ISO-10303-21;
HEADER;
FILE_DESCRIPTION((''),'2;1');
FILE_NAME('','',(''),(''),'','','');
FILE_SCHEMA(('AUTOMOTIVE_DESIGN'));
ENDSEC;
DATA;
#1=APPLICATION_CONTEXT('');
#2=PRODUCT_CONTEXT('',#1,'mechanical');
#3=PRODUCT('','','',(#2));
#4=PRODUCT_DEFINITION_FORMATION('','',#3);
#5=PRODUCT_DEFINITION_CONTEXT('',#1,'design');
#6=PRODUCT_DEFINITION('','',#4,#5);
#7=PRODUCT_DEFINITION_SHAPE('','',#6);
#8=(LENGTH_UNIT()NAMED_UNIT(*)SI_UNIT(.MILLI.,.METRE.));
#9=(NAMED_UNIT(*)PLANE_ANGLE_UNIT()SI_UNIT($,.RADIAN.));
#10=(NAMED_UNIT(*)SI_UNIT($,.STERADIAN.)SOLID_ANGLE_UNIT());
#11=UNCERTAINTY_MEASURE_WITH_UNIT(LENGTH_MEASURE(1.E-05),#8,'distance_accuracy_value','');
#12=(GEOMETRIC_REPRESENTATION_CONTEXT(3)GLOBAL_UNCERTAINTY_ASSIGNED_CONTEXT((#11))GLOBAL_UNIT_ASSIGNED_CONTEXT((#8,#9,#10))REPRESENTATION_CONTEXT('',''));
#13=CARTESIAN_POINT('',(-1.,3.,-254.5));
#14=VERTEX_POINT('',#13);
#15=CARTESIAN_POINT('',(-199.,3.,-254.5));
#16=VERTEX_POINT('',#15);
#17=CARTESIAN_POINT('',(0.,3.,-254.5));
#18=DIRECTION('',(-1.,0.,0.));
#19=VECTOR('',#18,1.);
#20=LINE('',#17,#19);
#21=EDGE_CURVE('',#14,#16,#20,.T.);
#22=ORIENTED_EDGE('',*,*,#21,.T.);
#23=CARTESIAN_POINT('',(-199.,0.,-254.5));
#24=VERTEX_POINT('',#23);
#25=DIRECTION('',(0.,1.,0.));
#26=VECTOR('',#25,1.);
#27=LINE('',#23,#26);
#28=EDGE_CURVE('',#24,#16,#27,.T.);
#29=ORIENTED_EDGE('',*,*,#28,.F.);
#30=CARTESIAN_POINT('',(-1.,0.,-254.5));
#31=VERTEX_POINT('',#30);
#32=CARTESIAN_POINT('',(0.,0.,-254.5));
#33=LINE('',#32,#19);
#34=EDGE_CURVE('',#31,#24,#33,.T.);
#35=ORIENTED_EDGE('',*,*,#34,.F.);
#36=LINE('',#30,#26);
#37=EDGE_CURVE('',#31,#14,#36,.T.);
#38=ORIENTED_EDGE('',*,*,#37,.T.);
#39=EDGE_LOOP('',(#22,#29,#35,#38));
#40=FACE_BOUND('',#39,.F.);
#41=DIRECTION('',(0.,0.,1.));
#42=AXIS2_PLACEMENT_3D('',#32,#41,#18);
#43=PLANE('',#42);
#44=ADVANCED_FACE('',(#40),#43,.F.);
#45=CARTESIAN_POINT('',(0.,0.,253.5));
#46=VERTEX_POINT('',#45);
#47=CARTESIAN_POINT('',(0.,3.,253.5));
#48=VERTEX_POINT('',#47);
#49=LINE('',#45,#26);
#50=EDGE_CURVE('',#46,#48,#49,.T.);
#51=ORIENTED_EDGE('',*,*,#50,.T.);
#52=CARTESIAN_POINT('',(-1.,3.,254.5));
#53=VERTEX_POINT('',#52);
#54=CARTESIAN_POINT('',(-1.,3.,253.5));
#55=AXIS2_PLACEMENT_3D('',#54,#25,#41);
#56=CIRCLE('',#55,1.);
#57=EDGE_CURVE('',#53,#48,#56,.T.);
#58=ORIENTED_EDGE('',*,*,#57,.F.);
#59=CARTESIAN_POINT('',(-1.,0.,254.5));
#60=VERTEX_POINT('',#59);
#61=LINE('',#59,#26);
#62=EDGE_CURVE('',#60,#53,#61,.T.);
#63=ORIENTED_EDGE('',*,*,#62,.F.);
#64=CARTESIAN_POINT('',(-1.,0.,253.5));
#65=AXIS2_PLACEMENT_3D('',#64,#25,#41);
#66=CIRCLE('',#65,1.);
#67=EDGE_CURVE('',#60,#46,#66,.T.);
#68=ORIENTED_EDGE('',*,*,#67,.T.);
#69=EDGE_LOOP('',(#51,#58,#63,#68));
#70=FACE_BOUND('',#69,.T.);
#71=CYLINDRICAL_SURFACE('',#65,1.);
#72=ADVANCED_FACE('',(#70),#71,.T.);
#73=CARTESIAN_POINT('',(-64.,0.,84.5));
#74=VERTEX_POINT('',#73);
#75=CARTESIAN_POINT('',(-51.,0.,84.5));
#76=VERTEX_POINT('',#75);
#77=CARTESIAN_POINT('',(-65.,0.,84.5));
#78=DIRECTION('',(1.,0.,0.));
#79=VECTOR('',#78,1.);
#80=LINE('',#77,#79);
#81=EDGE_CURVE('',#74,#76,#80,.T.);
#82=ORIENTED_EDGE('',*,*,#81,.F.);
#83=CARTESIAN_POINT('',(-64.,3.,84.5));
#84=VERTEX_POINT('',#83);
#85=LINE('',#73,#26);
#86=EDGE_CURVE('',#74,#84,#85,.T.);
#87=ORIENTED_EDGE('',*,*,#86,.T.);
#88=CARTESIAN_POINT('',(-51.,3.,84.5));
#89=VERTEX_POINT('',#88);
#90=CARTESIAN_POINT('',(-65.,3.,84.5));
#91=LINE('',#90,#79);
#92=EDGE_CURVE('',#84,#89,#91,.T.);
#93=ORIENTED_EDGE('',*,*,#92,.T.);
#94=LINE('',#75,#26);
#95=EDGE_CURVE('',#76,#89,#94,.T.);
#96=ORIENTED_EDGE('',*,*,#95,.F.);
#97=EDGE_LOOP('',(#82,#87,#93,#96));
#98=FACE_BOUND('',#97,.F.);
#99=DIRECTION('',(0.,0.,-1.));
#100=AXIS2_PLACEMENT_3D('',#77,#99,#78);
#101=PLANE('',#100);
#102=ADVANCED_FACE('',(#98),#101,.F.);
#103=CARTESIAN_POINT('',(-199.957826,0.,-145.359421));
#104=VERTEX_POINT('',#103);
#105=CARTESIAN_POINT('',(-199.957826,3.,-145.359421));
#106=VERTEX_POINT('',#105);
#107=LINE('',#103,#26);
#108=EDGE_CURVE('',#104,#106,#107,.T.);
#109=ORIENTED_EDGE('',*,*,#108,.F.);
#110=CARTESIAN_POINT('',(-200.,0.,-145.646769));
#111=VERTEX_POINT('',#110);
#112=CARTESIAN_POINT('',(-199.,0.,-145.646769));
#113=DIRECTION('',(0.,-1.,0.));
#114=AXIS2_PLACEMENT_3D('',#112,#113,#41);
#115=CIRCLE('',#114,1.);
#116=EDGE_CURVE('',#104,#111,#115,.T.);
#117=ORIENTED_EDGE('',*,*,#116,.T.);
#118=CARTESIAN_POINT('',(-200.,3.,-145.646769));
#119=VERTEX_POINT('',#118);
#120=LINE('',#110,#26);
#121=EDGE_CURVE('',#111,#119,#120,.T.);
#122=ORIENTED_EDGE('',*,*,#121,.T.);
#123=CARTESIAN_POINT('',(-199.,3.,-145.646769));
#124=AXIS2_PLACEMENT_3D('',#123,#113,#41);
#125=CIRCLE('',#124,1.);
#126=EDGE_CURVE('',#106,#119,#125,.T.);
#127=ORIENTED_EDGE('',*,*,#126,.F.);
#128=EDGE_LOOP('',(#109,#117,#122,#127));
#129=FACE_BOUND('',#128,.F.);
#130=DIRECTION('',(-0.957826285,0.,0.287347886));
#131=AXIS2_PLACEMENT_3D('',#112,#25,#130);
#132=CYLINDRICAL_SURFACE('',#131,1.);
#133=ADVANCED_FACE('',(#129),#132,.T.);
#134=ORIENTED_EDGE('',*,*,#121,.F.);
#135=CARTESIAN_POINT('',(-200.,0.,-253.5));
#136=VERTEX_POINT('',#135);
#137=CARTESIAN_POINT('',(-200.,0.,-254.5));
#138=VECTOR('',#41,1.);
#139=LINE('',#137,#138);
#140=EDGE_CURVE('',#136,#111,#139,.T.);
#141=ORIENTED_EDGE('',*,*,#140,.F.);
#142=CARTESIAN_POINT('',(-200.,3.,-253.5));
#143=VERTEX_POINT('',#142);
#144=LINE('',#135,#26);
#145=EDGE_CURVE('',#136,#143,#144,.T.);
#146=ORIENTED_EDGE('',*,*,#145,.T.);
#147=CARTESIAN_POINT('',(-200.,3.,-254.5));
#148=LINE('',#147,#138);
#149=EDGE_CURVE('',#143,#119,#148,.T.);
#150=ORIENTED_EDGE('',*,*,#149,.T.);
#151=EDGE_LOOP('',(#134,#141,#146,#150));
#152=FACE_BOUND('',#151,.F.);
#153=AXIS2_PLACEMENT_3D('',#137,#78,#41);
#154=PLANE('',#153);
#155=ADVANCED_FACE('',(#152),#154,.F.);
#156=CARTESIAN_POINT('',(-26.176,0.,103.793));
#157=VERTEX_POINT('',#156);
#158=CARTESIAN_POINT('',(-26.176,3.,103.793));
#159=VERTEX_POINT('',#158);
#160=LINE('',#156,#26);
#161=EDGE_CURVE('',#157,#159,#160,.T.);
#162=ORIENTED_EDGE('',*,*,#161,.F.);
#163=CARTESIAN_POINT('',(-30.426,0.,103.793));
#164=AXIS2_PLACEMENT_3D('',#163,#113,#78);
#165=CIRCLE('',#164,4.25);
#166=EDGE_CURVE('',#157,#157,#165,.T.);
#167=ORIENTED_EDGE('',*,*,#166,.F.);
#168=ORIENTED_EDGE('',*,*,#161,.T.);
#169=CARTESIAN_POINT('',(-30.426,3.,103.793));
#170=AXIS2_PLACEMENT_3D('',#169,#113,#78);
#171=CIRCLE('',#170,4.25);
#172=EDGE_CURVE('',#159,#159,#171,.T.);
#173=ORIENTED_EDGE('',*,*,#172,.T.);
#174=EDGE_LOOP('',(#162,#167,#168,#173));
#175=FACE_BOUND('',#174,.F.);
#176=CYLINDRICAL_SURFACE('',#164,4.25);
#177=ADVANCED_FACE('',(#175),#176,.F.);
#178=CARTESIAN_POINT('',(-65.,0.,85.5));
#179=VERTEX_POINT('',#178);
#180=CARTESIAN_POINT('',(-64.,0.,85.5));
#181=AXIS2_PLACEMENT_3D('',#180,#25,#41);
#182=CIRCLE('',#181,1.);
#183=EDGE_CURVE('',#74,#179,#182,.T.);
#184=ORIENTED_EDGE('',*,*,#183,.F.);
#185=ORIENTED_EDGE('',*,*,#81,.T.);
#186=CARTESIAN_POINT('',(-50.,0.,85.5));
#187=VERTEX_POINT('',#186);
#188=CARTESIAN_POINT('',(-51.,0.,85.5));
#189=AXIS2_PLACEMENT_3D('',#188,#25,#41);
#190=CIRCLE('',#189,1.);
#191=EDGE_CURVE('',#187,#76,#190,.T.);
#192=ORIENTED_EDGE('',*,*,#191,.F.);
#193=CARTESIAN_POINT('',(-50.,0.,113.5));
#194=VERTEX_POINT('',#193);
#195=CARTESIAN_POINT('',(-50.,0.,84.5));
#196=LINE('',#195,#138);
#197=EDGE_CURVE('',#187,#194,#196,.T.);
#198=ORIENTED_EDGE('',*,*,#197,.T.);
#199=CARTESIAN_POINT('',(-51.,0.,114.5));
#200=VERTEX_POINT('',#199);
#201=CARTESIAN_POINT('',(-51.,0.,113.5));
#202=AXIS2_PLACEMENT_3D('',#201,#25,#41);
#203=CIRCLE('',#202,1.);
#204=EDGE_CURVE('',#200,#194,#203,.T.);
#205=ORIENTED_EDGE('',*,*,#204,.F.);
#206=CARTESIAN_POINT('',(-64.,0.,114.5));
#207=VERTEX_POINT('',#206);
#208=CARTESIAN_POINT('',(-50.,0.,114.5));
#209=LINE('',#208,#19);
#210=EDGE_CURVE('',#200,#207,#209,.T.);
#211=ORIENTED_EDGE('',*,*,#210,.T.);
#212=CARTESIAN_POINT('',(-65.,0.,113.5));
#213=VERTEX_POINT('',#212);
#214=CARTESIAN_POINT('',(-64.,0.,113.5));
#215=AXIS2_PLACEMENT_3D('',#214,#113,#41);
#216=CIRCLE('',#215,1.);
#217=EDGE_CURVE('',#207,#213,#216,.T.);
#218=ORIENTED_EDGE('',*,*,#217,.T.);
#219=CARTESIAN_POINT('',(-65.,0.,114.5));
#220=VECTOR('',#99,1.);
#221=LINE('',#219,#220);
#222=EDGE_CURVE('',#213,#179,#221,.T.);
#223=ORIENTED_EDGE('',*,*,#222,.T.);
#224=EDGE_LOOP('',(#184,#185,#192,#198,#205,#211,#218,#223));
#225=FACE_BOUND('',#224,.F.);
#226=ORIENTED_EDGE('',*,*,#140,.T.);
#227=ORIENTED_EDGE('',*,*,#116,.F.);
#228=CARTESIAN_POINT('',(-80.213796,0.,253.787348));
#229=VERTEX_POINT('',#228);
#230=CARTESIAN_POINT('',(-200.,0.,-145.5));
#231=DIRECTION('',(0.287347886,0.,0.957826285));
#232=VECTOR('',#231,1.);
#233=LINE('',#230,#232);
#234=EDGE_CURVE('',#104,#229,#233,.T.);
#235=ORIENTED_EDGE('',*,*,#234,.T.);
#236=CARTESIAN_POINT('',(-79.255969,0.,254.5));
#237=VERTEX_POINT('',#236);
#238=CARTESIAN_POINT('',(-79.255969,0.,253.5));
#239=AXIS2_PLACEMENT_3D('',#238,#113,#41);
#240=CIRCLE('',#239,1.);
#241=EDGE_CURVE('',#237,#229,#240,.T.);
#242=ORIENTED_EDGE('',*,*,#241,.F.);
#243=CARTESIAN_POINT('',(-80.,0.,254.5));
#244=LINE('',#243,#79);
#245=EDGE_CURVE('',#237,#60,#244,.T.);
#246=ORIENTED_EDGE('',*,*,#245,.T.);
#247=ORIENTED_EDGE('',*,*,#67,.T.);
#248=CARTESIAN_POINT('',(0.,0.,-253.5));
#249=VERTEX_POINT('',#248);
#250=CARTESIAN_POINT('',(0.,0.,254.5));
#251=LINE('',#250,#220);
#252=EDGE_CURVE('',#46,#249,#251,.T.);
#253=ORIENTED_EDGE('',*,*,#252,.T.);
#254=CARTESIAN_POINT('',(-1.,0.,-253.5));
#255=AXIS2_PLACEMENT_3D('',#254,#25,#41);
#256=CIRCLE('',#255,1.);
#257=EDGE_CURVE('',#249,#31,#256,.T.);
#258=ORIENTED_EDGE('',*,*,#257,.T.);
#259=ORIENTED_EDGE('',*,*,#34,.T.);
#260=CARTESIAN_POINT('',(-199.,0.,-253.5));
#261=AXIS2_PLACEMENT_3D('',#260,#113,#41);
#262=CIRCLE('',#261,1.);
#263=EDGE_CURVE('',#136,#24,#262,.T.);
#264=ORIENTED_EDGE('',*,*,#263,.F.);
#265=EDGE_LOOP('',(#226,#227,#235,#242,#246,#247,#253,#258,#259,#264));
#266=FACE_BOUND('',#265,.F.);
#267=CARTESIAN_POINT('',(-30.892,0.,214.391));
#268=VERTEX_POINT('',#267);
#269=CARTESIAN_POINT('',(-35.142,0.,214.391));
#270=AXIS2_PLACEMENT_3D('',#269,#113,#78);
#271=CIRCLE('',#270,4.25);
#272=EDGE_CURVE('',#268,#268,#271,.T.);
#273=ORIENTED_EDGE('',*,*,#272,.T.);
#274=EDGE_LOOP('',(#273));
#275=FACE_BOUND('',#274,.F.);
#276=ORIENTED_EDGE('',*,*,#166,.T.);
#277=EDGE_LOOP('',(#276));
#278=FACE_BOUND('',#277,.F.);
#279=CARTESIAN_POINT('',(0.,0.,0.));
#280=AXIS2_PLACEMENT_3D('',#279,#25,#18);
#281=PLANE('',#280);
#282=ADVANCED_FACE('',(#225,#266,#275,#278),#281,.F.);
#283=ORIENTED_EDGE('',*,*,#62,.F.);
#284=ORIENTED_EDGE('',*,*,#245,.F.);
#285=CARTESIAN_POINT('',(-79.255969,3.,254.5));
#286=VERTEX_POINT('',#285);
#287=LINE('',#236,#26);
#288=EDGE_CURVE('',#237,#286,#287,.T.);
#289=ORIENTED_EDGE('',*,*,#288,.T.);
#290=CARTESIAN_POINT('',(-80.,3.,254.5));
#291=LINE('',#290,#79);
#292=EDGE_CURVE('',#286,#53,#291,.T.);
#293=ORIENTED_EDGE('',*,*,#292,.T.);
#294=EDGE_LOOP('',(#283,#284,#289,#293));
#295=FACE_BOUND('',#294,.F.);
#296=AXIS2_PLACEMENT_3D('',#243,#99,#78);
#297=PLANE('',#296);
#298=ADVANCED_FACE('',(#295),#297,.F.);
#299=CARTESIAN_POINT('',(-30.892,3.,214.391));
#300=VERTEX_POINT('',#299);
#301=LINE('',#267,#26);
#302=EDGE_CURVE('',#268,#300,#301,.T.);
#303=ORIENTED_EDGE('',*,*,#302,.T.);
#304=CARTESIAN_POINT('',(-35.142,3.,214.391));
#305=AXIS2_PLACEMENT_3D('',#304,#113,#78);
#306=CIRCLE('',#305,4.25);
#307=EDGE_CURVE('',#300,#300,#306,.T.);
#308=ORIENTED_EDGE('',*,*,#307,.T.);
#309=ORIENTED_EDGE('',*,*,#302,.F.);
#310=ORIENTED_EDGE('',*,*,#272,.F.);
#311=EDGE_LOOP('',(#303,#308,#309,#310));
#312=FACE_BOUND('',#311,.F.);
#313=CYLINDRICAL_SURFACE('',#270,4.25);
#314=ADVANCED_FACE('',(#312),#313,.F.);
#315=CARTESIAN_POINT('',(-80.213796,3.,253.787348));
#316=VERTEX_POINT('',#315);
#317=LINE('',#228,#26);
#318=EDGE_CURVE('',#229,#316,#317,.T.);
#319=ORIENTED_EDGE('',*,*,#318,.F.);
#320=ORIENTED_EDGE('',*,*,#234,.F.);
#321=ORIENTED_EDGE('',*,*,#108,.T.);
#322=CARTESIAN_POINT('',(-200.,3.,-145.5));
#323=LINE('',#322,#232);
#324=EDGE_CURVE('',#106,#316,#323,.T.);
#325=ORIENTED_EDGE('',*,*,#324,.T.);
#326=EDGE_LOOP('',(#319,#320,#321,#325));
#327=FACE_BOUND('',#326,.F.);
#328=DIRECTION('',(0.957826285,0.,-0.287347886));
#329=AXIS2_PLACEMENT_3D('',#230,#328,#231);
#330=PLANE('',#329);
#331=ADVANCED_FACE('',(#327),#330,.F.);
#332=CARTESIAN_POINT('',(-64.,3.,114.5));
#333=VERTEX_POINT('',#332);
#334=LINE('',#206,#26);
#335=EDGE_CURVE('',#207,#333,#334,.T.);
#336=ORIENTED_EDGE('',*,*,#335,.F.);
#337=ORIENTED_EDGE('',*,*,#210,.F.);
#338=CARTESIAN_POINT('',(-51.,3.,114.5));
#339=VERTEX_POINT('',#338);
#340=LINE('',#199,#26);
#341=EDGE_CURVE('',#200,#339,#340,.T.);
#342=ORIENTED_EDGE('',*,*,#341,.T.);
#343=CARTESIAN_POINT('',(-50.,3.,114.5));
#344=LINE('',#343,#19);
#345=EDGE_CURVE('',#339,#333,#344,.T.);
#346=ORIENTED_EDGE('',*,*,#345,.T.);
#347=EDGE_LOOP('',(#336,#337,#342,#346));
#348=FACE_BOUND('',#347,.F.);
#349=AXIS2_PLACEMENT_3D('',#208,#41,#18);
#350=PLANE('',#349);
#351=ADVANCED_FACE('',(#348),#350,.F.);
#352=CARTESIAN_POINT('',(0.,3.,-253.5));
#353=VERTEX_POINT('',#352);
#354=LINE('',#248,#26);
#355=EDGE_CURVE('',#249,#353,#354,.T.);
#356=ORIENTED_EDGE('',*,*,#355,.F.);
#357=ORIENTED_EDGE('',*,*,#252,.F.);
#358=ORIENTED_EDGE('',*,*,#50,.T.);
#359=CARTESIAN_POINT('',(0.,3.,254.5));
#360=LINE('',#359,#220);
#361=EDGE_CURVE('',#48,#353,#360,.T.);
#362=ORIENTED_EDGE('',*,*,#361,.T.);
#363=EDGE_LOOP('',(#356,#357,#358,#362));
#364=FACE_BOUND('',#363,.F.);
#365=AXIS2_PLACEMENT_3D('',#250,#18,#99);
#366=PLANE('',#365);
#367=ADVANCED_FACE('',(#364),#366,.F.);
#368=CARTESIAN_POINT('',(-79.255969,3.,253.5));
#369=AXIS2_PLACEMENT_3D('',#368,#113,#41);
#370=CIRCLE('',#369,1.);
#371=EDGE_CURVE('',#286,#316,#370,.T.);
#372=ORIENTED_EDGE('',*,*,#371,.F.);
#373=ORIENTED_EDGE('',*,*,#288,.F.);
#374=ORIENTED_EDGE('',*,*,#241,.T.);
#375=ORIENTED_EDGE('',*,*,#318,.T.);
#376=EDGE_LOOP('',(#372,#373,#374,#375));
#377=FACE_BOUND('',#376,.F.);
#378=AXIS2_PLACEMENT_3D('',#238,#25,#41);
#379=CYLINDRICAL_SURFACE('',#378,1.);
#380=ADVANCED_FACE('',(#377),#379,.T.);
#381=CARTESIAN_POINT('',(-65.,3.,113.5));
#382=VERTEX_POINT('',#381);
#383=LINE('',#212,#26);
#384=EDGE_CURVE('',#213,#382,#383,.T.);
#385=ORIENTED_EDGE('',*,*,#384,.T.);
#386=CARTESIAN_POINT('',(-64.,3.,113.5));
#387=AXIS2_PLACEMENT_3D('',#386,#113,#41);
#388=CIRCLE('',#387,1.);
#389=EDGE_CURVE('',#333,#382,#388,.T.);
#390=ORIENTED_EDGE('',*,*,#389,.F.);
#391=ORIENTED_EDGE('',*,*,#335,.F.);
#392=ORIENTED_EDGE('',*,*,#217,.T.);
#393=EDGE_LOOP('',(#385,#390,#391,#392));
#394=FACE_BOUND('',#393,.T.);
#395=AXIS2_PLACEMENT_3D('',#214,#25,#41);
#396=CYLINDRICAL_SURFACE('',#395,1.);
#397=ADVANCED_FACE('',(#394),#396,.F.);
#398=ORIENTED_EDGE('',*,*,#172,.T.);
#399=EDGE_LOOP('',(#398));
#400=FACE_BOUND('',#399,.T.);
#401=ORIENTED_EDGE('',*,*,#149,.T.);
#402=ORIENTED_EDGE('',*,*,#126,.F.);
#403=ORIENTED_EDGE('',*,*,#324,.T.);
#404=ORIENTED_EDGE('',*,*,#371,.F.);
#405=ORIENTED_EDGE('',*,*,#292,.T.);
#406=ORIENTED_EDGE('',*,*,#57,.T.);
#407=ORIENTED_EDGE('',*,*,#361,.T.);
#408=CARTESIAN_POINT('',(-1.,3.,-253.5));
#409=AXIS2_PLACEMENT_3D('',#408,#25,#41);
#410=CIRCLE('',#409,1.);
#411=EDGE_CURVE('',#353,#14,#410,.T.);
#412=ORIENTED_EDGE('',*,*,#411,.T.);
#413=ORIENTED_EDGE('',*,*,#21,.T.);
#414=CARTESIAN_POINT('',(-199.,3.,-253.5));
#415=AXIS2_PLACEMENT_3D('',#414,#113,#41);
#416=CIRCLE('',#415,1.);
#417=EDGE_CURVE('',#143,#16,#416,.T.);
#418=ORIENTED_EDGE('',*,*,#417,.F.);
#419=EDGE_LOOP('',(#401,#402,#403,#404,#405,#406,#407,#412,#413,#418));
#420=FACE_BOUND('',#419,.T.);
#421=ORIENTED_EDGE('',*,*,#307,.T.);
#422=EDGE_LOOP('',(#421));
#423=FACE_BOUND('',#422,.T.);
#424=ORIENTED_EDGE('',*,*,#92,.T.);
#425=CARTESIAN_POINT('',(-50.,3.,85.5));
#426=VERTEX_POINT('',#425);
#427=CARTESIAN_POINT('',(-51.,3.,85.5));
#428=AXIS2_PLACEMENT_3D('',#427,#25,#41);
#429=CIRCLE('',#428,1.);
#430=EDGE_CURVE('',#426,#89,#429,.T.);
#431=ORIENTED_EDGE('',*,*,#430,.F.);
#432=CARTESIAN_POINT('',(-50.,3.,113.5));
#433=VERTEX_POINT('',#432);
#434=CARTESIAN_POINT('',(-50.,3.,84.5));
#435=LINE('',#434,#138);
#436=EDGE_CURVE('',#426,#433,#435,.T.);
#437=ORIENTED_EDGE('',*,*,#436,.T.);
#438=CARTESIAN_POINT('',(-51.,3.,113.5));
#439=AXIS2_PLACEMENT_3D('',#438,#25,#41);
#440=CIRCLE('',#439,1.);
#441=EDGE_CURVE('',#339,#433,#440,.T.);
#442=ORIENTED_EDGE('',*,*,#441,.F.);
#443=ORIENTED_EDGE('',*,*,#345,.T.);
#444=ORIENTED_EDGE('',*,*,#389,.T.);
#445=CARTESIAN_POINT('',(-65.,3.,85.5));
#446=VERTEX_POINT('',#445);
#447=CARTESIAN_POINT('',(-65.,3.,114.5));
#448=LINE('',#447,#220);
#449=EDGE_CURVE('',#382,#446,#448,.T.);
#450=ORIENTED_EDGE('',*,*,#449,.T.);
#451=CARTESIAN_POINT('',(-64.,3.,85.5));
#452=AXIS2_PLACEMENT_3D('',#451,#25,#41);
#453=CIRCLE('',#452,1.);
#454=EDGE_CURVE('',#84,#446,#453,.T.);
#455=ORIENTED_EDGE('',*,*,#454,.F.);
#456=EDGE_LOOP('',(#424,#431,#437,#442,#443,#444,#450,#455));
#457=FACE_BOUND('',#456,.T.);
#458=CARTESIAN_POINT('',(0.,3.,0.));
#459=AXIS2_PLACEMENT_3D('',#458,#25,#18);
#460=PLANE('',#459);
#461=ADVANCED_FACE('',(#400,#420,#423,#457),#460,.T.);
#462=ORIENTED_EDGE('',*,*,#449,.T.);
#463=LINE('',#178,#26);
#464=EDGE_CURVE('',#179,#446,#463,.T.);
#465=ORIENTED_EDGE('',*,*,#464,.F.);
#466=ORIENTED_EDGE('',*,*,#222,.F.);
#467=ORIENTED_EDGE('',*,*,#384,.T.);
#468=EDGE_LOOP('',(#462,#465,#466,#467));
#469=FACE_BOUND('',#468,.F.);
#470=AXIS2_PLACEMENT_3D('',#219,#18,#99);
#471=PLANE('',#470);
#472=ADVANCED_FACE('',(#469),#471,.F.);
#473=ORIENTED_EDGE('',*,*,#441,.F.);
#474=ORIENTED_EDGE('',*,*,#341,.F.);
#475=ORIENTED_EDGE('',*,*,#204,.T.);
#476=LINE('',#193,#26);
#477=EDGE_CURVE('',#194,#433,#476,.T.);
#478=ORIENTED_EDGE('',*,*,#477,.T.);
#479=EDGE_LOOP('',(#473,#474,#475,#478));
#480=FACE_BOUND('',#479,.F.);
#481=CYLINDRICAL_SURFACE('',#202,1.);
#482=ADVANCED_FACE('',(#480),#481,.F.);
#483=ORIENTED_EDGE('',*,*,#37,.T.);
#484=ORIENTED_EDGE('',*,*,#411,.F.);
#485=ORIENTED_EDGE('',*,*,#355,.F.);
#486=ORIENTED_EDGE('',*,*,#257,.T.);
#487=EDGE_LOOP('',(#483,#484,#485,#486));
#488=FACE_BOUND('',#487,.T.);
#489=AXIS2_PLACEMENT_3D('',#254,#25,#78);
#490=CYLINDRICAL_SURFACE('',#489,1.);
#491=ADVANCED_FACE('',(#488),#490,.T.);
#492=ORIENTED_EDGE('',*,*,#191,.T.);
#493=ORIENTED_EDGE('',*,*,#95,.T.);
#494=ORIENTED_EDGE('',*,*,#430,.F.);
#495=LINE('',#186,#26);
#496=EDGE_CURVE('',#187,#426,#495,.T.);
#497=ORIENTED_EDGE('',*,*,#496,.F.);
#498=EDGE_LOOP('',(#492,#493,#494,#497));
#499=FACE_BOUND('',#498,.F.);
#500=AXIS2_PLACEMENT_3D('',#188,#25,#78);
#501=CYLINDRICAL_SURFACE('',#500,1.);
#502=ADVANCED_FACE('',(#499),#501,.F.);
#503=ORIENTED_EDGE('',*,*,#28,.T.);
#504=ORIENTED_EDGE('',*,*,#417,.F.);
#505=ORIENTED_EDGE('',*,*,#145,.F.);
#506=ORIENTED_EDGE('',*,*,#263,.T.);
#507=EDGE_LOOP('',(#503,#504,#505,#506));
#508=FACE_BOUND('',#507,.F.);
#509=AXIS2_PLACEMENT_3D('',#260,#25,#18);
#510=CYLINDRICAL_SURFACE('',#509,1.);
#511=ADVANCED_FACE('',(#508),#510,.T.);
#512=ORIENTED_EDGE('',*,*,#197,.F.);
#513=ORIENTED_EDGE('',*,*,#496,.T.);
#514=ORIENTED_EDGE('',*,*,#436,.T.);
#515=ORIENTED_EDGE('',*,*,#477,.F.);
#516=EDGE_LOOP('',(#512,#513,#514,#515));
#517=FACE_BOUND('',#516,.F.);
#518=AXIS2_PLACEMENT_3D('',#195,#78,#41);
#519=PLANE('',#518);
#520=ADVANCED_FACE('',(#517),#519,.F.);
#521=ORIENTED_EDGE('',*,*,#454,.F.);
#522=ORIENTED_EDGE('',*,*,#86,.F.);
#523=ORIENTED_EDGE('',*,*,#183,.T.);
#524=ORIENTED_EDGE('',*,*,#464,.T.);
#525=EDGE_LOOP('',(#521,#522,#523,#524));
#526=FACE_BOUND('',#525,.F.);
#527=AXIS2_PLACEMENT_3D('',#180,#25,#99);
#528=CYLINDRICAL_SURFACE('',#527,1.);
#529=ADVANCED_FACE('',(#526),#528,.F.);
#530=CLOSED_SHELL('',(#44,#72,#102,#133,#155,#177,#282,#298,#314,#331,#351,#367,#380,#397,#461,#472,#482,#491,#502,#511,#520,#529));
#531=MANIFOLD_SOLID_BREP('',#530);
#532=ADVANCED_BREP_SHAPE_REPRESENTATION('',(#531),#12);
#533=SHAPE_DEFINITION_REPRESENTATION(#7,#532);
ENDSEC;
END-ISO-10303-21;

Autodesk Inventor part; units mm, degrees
ref_plane "YZ Plane" through (0, 0, 0) normal (1, 0, 0) x (0, 1, 0)
ref_plane "XZ Plane" through (0, 0, 0) normal (0, 1, 0) x (-1, 0, 0)
ref_plane "XY Plane" through (0, 0, 0) normal (0, 0, 1) x (1, 0, 0)
sketch "スケッチ1" plane through (0, 0, 0) normal (0, 1, 0) x (-1, 0, 0)
  line L0 (0, 254.5) -> (0, -254.5)
  line L1 (0, -254.5) -> (200, -254.5)
  line L2 (200, -254.5) -> (200, -145.5)
  line L3 (200, -145.5) -> (80, 254.5)
  line L4 (80, 254.5) -> (0, 254.5)
  point P0 (0, 0)
  point P1 (0, 0)
  dimension "d0" = 509
  dimension "d1" = 200
  dimension "d2" = 109
  dimension "d3" = 80
extrude "押し出し1" add sketch "スケッチ1" along normal blind 3
sketch "スケッチ2" plane through (0, 0, 0) normal (0, -1, 0) x (1, 0, 0)
  circle A0 centre (-35.142, 214.391) radius 4.25
  circle A1 centre (-30.426, 103.793) radius 4.25
  line L0 (-65, 84.5) -> (-50, 84.5)
  line L1 (-50, 84.5) -> (-50, 114.5)
  line L2 (-50, 114.5) -> (-65, 114.5)
  line L3 (-65, 114.5) -> (-65, 84.5)
  line L4 (-80, 254.5) -> (0, 254.5) projected
  line L5 (0, 254.5) -> (0, -254.5) projected
  point P0 (0, 0)
  dimension "d6" = 15
  dimension "d7" = 30
  dimension "d8" = 8.5
  dimension "d9" = 8.5
  dimension "d10" = 40.109
  dimension "d11" = 35.142
  dimension "d12" = 150.707
  dimension "d13" = 30.426
  dimension "d14" = 140
  dimension "d15" = 50
extrude "押し出し2" cut sketch "スケッチ2" against normal blind 3
fillet "フィレット1" radius 1 9 edges at (-80, 1.5, 254.5) (0, 1.5, 254.5) (-200, 1.5, -145.5) (-200, 1.5, -254.5) (0, 1.5, -254.5) (-50, 1.5, 84.5) (-50, 1.5, 114.5) (-65, 1.5, 114.5) (-65, 1.5, 84.5)
